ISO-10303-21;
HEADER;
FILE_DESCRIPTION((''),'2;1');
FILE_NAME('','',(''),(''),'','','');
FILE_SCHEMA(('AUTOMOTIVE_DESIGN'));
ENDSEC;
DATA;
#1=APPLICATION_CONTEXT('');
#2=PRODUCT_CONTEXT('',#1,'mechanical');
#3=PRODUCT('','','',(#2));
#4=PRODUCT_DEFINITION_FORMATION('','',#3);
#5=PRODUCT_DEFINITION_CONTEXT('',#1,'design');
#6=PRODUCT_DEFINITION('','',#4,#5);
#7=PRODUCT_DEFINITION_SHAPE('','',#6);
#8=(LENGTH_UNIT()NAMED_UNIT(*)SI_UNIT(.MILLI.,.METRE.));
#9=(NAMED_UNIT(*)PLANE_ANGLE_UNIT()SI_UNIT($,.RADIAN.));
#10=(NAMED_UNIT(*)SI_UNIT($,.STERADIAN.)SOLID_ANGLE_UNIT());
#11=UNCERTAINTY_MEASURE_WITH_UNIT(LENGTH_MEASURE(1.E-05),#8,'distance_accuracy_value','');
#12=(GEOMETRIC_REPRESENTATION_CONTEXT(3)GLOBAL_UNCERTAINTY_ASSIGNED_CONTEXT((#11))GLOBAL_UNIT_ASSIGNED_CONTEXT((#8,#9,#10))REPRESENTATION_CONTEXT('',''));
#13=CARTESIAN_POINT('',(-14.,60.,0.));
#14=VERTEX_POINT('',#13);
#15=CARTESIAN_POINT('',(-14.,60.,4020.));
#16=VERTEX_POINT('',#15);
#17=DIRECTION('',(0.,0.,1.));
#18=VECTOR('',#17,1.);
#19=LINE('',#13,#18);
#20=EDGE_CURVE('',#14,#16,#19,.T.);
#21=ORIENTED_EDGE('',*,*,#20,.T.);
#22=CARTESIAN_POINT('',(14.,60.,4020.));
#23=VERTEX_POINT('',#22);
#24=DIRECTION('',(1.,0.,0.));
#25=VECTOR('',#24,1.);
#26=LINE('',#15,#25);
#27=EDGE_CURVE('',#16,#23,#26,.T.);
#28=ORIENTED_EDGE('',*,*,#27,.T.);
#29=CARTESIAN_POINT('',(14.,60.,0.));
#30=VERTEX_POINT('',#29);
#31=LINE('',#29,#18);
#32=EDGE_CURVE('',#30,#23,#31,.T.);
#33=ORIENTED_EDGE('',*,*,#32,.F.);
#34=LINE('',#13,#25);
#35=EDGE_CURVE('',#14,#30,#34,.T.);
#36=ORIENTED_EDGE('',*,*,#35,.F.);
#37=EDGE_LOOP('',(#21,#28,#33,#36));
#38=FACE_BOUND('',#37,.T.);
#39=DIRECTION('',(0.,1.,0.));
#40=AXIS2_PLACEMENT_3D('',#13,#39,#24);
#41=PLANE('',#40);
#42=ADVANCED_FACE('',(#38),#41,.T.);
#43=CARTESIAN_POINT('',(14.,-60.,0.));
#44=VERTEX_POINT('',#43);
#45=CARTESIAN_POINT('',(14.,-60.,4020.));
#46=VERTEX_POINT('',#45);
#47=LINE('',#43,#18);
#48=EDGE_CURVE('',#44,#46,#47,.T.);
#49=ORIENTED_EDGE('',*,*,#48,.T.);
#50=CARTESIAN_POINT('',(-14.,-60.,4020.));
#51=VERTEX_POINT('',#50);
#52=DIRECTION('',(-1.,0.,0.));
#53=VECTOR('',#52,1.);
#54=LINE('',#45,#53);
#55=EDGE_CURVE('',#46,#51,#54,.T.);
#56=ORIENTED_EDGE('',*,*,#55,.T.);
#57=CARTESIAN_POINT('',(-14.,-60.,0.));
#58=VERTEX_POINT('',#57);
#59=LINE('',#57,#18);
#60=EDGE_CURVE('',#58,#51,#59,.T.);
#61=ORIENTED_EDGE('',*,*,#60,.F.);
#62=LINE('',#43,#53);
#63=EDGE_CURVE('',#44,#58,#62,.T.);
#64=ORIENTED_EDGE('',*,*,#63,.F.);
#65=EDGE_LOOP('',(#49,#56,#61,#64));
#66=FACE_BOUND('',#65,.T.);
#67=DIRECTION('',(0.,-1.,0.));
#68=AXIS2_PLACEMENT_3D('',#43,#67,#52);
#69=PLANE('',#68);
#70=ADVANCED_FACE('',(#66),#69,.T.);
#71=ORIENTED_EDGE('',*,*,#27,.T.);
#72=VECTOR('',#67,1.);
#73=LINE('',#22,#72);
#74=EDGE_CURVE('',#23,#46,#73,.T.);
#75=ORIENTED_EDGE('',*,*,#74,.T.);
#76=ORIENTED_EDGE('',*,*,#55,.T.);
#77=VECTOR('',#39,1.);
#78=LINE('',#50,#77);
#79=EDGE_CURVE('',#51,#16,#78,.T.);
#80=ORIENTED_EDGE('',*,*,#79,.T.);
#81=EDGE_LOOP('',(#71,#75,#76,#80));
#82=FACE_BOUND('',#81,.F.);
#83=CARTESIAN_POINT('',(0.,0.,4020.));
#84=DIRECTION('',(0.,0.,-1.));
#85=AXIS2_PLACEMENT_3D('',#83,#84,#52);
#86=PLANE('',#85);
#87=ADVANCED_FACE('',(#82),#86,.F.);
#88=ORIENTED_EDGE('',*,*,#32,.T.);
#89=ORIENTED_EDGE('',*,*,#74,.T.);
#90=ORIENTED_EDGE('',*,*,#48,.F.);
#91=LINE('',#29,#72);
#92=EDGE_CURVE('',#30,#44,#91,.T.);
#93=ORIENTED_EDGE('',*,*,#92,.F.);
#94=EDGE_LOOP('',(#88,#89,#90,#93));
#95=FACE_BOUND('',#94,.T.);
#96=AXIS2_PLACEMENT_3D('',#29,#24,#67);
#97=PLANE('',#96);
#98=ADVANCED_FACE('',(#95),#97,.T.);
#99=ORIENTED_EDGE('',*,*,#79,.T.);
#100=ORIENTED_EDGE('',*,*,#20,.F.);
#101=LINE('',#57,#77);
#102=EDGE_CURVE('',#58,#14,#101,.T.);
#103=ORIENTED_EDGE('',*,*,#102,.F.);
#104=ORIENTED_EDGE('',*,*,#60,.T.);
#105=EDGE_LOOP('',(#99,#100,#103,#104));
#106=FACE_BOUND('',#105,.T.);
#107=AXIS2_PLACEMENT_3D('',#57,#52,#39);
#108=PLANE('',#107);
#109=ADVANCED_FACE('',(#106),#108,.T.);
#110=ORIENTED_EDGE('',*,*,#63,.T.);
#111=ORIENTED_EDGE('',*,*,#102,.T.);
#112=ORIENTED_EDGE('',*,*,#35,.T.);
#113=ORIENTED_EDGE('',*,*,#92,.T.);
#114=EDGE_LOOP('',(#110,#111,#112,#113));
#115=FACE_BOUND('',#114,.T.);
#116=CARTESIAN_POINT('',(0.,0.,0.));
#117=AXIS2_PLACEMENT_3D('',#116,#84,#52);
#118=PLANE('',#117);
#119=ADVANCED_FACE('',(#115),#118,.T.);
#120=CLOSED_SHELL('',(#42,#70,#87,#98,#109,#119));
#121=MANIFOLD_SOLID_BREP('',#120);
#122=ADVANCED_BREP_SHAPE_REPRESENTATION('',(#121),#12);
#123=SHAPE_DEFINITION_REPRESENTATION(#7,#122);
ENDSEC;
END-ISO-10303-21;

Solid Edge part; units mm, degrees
sketch "Sketch1" plane through (0, 0, 0) normal (0, 0, -1) x (-1, 0, 0)
  line L0 (-14, -60) -> (14, -60)
  line L1 (14, -60) -> (14, 60)
  line L2 (14, 60) -> (-14, 60)
  line L3 (-14, 60) -> (-14, -60)
extrude "Protrusion1" add sketch "Sketch1" against normal blind 4020
properties material "Wood, Pine"
